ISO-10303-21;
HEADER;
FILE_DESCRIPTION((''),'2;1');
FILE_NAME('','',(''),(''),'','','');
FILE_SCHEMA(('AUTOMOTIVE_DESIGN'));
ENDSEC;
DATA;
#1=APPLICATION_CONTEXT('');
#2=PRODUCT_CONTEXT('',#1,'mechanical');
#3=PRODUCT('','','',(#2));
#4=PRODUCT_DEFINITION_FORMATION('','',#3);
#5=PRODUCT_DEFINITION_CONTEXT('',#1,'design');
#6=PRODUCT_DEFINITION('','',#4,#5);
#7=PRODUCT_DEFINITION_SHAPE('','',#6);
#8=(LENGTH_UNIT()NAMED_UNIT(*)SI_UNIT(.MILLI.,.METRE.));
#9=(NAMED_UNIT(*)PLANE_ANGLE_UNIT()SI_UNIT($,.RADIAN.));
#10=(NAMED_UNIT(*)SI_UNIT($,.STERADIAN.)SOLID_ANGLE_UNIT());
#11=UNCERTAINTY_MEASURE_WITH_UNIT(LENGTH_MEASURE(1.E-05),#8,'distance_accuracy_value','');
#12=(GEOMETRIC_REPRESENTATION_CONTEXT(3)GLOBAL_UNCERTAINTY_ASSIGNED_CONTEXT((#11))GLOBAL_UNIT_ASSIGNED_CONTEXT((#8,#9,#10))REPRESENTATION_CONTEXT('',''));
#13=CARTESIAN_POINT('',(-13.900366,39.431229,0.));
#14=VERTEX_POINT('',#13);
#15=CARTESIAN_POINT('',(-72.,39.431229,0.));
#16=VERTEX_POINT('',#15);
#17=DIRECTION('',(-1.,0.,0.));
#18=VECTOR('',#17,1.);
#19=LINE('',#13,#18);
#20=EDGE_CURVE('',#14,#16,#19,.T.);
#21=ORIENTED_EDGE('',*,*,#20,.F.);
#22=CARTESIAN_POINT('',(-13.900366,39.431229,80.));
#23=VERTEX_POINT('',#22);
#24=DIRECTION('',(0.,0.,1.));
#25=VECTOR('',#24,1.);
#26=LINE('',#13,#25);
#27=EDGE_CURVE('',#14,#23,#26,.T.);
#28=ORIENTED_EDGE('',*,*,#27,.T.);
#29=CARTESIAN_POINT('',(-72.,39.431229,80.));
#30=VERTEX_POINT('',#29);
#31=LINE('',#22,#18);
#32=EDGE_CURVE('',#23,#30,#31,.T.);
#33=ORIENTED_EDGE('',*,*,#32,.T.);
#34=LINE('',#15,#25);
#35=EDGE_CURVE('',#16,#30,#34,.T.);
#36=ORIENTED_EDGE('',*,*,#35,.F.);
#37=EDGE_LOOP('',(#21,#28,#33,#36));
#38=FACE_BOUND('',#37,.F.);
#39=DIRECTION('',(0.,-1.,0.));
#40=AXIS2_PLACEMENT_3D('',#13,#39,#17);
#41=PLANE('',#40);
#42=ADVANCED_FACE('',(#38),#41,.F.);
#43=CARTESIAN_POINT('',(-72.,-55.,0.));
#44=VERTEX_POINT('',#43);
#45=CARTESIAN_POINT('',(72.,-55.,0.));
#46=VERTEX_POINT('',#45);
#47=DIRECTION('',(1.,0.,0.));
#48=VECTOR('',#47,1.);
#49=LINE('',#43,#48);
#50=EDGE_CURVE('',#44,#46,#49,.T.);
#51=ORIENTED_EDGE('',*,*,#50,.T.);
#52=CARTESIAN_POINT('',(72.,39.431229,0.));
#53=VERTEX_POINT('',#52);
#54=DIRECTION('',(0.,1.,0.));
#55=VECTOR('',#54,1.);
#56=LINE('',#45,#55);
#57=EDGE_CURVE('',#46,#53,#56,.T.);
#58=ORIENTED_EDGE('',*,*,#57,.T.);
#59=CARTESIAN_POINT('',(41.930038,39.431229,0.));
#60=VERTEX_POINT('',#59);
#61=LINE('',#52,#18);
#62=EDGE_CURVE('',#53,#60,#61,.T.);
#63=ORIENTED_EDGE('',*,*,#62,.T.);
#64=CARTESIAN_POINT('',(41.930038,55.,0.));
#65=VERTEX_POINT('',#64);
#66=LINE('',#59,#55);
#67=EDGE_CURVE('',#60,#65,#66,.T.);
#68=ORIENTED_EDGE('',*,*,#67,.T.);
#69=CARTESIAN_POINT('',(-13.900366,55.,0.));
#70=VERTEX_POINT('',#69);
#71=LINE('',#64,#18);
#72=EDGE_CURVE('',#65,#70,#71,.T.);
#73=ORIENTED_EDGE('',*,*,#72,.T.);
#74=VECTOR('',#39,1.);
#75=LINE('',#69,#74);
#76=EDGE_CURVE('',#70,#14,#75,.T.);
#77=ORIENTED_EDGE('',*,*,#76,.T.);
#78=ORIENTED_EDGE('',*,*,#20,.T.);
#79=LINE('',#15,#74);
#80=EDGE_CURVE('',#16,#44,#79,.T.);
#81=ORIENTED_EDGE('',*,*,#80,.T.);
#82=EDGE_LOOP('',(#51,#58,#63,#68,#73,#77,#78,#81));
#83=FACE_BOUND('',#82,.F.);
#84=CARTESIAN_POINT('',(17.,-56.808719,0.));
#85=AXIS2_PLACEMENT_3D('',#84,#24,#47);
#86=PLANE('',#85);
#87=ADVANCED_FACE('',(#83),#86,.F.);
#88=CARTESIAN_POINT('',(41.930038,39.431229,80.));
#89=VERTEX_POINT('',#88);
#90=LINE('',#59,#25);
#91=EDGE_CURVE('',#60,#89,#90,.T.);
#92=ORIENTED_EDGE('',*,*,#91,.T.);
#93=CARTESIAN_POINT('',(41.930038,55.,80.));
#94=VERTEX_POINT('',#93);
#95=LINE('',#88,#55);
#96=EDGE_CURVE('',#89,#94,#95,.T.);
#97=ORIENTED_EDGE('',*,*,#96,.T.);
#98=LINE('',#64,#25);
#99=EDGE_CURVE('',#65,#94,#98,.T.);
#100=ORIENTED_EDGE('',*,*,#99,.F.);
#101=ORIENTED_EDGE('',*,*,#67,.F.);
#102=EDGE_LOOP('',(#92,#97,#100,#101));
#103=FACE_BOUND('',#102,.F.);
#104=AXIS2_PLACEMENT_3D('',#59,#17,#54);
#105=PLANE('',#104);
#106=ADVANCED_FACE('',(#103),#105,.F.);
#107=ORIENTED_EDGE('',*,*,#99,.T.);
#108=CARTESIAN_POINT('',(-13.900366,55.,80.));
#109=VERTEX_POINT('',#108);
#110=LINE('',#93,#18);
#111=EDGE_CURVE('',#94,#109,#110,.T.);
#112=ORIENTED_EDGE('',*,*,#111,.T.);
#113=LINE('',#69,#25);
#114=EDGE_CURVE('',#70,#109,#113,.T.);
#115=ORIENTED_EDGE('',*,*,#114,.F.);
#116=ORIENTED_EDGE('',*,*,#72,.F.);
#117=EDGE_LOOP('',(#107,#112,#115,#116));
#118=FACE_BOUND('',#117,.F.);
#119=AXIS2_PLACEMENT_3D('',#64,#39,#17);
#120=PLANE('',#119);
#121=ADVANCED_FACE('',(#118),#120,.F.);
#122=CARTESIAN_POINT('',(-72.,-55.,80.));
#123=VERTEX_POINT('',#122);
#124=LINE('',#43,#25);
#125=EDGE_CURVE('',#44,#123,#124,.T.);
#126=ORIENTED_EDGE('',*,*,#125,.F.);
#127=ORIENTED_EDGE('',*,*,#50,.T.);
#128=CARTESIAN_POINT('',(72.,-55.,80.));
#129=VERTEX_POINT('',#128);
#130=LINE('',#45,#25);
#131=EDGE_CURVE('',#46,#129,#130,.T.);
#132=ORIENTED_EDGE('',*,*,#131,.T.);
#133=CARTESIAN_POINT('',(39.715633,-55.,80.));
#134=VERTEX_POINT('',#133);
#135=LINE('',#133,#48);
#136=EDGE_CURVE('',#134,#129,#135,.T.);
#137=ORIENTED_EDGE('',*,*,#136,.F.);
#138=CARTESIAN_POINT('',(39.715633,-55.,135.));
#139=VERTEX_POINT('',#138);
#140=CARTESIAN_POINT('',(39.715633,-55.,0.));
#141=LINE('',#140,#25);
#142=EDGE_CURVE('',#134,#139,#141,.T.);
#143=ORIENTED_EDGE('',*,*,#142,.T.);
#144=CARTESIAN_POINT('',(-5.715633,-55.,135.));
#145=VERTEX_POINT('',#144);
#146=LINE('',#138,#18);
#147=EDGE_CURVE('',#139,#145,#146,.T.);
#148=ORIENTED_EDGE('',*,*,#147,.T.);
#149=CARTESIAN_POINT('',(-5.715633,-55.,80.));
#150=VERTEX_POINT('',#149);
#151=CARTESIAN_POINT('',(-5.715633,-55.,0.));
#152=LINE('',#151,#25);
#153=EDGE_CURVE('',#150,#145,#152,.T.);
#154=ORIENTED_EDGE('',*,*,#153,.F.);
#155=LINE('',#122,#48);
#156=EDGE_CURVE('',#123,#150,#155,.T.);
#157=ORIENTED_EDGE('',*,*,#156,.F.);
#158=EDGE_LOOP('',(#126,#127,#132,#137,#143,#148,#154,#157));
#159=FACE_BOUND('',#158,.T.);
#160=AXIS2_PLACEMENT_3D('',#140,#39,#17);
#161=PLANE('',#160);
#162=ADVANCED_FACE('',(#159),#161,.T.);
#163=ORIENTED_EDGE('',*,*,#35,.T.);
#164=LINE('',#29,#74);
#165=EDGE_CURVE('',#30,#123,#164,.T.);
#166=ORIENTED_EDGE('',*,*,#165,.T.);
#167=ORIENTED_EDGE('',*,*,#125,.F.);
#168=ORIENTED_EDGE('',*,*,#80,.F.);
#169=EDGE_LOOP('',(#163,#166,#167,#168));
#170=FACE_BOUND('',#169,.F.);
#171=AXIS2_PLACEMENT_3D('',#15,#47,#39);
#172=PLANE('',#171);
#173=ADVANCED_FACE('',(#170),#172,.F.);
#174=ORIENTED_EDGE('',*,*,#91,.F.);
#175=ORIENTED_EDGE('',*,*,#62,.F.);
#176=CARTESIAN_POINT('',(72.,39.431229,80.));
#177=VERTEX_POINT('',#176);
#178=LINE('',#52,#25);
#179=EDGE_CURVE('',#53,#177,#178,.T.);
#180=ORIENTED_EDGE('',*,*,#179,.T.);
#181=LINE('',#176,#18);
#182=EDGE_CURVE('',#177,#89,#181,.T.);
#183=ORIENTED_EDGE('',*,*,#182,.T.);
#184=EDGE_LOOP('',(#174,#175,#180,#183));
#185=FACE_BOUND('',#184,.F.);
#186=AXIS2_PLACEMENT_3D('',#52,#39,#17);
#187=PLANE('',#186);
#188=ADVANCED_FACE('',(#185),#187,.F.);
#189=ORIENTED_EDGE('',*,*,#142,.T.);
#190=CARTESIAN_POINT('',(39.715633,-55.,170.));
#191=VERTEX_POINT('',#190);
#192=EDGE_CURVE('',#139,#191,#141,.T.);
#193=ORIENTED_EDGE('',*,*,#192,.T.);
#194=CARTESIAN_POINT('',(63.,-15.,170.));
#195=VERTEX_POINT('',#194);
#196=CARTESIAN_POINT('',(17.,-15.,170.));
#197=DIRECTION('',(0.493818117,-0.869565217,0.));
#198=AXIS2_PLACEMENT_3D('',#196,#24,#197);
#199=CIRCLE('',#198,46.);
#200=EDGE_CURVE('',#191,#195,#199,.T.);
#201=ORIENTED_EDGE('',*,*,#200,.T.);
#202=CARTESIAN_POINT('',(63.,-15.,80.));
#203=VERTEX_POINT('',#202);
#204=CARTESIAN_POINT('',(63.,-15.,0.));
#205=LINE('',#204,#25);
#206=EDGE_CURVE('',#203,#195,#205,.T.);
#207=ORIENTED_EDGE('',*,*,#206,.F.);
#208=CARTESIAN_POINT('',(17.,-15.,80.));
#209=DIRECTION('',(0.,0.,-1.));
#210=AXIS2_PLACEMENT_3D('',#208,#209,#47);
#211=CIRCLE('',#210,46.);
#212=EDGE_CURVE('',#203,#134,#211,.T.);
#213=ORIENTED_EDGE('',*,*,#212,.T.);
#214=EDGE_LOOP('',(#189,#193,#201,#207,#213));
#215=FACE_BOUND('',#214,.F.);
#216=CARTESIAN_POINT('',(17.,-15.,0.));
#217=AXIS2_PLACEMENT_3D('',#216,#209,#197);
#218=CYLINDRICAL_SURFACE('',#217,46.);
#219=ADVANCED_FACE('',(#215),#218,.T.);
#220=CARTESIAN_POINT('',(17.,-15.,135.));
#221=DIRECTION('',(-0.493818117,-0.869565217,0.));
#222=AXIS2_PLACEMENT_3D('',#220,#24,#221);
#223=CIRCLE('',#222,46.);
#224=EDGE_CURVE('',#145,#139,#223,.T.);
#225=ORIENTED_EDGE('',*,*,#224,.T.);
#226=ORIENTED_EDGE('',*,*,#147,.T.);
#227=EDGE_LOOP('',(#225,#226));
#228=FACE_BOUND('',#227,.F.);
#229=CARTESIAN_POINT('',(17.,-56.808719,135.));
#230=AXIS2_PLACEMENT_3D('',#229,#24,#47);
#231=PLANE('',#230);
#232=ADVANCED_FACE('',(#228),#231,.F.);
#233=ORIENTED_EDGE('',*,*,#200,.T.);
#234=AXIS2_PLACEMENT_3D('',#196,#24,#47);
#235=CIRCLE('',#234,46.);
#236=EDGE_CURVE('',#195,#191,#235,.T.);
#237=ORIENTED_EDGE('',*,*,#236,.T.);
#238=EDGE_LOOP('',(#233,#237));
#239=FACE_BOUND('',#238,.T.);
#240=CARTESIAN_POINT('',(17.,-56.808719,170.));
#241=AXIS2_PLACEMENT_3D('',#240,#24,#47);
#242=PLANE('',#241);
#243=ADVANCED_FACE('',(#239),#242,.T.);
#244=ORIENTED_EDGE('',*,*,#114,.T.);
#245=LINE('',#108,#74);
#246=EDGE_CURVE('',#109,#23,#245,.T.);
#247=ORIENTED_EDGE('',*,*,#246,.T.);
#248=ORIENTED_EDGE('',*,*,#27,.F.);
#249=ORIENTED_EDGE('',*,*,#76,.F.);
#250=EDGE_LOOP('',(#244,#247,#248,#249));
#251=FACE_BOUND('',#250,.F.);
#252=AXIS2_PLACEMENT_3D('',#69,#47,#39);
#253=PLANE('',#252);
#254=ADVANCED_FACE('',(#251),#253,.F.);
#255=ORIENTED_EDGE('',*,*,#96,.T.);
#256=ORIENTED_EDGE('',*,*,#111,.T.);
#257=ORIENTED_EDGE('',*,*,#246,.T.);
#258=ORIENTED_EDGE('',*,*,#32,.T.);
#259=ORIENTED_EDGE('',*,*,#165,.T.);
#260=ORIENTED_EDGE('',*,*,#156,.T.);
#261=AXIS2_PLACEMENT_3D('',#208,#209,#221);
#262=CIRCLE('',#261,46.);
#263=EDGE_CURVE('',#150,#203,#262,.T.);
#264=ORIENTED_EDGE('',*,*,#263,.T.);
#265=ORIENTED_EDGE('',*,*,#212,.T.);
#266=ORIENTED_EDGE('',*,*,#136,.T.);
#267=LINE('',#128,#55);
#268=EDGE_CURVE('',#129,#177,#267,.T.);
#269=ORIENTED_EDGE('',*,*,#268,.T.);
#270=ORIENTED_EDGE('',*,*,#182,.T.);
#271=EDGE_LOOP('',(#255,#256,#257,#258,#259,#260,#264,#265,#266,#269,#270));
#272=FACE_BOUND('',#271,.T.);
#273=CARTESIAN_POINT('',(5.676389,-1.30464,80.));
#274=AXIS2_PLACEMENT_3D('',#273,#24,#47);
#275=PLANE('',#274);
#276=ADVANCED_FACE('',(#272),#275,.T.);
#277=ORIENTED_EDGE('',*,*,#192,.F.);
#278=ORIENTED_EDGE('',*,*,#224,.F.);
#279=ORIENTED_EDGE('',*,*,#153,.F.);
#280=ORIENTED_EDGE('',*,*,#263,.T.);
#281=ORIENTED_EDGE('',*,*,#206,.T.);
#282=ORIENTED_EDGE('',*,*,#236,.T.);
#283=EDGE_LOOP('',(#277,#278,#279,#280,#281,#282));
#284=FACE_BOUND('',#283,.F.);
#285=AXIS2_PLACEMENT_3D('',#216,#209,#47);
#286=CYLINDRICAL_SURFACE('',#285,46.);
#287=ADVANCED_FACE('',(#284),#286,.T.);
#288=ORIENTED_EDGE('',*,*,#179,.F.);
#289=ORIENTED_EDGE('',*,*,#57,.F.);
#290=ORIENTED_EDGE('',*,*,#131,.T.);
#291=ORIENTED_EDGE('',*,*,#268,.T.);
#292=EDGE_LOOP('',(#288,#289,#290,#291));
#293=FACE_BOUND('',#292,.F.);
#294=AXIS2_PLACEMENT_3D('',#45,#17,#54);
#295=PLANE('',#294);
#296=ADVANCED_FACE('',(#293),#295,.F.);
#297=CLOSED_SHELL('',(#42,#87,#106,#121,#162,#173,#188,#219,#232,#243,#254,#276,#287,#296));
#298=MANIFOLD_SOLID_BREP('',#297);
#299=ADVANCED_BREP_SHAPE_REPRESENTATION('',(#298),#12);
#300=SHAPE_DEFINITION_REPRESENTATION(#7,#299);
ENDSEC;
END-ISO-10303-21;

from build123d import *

# Parameters (mm, degrees)
F1_DEPTH = 80
F2_DEPTH = 170
F3_DEPTH = 135


with BuildPart() as f1:
    # F0 (on Top) → F1 (new body)
    with BuildSketch(Plane.XY):
        with BuildLine():
            Line((41.930038482, 39.4312292337), (41.930038482, 55))
            Line((41.930038482, 55), (-13.9003656805, 55))
            Line((-13.9003656805, 55), (-13.9003656805, 39.4312292337))
            Line((-13.9003656805, 39.4312292337), (-72, 39.4312292337))
            Line((-72, 39.4312292337), (-72, -55))
            Line((-72, -55), (-5.7156333832, -55))
            ThreePointArc((-5.7156333832, -55), (-6.1417465241, 24.75499425), (63, -15))
            ThreePointArc((63, -15), (56.75499425, -38.1417465241), (39.7156333832, -55))
            Line((39.7156333832, -55), (72, -55))
            Line((72, -55), (72, 39.4312292337))
            Line((72, 39.4312292337), (41.930038482, 39.4312292337))
        make_face()
    extrude(amount=F1_DEPTH)

    # F0 (on Top) → F2 (join)
    with BuildSketch(Plane.XY):
        with BuildLine():
            ThreePointArc((-5.7156333832, -55), (17, -61), (39.7156333832, -55))
            Line((39.7156333832, -55), (-5.7156333832, -55))
        make_face()
        with BuildLine():
            Line((-5.7156333832, -55), (39.7156333832, -55))
            ThreePointArc((39.7156333832, -55), (56.75499425, -38.1417465241), (63, -15))
            ThreePointArc((63, -15), (-6.1417465241, 24.75499425), (-5.7156333832, -55))
        make_face()
    extrude(amount=F2_DEPTH)

    # F0 (on Top) → F3 (cut)
    with BuildSketch(Plane.XY):
        with BuildLine():
            ThreePointArc((-5.7156333832, -55), (17, -61), (39.7156333832, -55))
            Line((39.7156333832, -55), (-5.7156333832, -55))
        make_face()
    extrude(amount=F3_DEPTH, mode=Mode.SUBTRACT)


solid = f1.part
